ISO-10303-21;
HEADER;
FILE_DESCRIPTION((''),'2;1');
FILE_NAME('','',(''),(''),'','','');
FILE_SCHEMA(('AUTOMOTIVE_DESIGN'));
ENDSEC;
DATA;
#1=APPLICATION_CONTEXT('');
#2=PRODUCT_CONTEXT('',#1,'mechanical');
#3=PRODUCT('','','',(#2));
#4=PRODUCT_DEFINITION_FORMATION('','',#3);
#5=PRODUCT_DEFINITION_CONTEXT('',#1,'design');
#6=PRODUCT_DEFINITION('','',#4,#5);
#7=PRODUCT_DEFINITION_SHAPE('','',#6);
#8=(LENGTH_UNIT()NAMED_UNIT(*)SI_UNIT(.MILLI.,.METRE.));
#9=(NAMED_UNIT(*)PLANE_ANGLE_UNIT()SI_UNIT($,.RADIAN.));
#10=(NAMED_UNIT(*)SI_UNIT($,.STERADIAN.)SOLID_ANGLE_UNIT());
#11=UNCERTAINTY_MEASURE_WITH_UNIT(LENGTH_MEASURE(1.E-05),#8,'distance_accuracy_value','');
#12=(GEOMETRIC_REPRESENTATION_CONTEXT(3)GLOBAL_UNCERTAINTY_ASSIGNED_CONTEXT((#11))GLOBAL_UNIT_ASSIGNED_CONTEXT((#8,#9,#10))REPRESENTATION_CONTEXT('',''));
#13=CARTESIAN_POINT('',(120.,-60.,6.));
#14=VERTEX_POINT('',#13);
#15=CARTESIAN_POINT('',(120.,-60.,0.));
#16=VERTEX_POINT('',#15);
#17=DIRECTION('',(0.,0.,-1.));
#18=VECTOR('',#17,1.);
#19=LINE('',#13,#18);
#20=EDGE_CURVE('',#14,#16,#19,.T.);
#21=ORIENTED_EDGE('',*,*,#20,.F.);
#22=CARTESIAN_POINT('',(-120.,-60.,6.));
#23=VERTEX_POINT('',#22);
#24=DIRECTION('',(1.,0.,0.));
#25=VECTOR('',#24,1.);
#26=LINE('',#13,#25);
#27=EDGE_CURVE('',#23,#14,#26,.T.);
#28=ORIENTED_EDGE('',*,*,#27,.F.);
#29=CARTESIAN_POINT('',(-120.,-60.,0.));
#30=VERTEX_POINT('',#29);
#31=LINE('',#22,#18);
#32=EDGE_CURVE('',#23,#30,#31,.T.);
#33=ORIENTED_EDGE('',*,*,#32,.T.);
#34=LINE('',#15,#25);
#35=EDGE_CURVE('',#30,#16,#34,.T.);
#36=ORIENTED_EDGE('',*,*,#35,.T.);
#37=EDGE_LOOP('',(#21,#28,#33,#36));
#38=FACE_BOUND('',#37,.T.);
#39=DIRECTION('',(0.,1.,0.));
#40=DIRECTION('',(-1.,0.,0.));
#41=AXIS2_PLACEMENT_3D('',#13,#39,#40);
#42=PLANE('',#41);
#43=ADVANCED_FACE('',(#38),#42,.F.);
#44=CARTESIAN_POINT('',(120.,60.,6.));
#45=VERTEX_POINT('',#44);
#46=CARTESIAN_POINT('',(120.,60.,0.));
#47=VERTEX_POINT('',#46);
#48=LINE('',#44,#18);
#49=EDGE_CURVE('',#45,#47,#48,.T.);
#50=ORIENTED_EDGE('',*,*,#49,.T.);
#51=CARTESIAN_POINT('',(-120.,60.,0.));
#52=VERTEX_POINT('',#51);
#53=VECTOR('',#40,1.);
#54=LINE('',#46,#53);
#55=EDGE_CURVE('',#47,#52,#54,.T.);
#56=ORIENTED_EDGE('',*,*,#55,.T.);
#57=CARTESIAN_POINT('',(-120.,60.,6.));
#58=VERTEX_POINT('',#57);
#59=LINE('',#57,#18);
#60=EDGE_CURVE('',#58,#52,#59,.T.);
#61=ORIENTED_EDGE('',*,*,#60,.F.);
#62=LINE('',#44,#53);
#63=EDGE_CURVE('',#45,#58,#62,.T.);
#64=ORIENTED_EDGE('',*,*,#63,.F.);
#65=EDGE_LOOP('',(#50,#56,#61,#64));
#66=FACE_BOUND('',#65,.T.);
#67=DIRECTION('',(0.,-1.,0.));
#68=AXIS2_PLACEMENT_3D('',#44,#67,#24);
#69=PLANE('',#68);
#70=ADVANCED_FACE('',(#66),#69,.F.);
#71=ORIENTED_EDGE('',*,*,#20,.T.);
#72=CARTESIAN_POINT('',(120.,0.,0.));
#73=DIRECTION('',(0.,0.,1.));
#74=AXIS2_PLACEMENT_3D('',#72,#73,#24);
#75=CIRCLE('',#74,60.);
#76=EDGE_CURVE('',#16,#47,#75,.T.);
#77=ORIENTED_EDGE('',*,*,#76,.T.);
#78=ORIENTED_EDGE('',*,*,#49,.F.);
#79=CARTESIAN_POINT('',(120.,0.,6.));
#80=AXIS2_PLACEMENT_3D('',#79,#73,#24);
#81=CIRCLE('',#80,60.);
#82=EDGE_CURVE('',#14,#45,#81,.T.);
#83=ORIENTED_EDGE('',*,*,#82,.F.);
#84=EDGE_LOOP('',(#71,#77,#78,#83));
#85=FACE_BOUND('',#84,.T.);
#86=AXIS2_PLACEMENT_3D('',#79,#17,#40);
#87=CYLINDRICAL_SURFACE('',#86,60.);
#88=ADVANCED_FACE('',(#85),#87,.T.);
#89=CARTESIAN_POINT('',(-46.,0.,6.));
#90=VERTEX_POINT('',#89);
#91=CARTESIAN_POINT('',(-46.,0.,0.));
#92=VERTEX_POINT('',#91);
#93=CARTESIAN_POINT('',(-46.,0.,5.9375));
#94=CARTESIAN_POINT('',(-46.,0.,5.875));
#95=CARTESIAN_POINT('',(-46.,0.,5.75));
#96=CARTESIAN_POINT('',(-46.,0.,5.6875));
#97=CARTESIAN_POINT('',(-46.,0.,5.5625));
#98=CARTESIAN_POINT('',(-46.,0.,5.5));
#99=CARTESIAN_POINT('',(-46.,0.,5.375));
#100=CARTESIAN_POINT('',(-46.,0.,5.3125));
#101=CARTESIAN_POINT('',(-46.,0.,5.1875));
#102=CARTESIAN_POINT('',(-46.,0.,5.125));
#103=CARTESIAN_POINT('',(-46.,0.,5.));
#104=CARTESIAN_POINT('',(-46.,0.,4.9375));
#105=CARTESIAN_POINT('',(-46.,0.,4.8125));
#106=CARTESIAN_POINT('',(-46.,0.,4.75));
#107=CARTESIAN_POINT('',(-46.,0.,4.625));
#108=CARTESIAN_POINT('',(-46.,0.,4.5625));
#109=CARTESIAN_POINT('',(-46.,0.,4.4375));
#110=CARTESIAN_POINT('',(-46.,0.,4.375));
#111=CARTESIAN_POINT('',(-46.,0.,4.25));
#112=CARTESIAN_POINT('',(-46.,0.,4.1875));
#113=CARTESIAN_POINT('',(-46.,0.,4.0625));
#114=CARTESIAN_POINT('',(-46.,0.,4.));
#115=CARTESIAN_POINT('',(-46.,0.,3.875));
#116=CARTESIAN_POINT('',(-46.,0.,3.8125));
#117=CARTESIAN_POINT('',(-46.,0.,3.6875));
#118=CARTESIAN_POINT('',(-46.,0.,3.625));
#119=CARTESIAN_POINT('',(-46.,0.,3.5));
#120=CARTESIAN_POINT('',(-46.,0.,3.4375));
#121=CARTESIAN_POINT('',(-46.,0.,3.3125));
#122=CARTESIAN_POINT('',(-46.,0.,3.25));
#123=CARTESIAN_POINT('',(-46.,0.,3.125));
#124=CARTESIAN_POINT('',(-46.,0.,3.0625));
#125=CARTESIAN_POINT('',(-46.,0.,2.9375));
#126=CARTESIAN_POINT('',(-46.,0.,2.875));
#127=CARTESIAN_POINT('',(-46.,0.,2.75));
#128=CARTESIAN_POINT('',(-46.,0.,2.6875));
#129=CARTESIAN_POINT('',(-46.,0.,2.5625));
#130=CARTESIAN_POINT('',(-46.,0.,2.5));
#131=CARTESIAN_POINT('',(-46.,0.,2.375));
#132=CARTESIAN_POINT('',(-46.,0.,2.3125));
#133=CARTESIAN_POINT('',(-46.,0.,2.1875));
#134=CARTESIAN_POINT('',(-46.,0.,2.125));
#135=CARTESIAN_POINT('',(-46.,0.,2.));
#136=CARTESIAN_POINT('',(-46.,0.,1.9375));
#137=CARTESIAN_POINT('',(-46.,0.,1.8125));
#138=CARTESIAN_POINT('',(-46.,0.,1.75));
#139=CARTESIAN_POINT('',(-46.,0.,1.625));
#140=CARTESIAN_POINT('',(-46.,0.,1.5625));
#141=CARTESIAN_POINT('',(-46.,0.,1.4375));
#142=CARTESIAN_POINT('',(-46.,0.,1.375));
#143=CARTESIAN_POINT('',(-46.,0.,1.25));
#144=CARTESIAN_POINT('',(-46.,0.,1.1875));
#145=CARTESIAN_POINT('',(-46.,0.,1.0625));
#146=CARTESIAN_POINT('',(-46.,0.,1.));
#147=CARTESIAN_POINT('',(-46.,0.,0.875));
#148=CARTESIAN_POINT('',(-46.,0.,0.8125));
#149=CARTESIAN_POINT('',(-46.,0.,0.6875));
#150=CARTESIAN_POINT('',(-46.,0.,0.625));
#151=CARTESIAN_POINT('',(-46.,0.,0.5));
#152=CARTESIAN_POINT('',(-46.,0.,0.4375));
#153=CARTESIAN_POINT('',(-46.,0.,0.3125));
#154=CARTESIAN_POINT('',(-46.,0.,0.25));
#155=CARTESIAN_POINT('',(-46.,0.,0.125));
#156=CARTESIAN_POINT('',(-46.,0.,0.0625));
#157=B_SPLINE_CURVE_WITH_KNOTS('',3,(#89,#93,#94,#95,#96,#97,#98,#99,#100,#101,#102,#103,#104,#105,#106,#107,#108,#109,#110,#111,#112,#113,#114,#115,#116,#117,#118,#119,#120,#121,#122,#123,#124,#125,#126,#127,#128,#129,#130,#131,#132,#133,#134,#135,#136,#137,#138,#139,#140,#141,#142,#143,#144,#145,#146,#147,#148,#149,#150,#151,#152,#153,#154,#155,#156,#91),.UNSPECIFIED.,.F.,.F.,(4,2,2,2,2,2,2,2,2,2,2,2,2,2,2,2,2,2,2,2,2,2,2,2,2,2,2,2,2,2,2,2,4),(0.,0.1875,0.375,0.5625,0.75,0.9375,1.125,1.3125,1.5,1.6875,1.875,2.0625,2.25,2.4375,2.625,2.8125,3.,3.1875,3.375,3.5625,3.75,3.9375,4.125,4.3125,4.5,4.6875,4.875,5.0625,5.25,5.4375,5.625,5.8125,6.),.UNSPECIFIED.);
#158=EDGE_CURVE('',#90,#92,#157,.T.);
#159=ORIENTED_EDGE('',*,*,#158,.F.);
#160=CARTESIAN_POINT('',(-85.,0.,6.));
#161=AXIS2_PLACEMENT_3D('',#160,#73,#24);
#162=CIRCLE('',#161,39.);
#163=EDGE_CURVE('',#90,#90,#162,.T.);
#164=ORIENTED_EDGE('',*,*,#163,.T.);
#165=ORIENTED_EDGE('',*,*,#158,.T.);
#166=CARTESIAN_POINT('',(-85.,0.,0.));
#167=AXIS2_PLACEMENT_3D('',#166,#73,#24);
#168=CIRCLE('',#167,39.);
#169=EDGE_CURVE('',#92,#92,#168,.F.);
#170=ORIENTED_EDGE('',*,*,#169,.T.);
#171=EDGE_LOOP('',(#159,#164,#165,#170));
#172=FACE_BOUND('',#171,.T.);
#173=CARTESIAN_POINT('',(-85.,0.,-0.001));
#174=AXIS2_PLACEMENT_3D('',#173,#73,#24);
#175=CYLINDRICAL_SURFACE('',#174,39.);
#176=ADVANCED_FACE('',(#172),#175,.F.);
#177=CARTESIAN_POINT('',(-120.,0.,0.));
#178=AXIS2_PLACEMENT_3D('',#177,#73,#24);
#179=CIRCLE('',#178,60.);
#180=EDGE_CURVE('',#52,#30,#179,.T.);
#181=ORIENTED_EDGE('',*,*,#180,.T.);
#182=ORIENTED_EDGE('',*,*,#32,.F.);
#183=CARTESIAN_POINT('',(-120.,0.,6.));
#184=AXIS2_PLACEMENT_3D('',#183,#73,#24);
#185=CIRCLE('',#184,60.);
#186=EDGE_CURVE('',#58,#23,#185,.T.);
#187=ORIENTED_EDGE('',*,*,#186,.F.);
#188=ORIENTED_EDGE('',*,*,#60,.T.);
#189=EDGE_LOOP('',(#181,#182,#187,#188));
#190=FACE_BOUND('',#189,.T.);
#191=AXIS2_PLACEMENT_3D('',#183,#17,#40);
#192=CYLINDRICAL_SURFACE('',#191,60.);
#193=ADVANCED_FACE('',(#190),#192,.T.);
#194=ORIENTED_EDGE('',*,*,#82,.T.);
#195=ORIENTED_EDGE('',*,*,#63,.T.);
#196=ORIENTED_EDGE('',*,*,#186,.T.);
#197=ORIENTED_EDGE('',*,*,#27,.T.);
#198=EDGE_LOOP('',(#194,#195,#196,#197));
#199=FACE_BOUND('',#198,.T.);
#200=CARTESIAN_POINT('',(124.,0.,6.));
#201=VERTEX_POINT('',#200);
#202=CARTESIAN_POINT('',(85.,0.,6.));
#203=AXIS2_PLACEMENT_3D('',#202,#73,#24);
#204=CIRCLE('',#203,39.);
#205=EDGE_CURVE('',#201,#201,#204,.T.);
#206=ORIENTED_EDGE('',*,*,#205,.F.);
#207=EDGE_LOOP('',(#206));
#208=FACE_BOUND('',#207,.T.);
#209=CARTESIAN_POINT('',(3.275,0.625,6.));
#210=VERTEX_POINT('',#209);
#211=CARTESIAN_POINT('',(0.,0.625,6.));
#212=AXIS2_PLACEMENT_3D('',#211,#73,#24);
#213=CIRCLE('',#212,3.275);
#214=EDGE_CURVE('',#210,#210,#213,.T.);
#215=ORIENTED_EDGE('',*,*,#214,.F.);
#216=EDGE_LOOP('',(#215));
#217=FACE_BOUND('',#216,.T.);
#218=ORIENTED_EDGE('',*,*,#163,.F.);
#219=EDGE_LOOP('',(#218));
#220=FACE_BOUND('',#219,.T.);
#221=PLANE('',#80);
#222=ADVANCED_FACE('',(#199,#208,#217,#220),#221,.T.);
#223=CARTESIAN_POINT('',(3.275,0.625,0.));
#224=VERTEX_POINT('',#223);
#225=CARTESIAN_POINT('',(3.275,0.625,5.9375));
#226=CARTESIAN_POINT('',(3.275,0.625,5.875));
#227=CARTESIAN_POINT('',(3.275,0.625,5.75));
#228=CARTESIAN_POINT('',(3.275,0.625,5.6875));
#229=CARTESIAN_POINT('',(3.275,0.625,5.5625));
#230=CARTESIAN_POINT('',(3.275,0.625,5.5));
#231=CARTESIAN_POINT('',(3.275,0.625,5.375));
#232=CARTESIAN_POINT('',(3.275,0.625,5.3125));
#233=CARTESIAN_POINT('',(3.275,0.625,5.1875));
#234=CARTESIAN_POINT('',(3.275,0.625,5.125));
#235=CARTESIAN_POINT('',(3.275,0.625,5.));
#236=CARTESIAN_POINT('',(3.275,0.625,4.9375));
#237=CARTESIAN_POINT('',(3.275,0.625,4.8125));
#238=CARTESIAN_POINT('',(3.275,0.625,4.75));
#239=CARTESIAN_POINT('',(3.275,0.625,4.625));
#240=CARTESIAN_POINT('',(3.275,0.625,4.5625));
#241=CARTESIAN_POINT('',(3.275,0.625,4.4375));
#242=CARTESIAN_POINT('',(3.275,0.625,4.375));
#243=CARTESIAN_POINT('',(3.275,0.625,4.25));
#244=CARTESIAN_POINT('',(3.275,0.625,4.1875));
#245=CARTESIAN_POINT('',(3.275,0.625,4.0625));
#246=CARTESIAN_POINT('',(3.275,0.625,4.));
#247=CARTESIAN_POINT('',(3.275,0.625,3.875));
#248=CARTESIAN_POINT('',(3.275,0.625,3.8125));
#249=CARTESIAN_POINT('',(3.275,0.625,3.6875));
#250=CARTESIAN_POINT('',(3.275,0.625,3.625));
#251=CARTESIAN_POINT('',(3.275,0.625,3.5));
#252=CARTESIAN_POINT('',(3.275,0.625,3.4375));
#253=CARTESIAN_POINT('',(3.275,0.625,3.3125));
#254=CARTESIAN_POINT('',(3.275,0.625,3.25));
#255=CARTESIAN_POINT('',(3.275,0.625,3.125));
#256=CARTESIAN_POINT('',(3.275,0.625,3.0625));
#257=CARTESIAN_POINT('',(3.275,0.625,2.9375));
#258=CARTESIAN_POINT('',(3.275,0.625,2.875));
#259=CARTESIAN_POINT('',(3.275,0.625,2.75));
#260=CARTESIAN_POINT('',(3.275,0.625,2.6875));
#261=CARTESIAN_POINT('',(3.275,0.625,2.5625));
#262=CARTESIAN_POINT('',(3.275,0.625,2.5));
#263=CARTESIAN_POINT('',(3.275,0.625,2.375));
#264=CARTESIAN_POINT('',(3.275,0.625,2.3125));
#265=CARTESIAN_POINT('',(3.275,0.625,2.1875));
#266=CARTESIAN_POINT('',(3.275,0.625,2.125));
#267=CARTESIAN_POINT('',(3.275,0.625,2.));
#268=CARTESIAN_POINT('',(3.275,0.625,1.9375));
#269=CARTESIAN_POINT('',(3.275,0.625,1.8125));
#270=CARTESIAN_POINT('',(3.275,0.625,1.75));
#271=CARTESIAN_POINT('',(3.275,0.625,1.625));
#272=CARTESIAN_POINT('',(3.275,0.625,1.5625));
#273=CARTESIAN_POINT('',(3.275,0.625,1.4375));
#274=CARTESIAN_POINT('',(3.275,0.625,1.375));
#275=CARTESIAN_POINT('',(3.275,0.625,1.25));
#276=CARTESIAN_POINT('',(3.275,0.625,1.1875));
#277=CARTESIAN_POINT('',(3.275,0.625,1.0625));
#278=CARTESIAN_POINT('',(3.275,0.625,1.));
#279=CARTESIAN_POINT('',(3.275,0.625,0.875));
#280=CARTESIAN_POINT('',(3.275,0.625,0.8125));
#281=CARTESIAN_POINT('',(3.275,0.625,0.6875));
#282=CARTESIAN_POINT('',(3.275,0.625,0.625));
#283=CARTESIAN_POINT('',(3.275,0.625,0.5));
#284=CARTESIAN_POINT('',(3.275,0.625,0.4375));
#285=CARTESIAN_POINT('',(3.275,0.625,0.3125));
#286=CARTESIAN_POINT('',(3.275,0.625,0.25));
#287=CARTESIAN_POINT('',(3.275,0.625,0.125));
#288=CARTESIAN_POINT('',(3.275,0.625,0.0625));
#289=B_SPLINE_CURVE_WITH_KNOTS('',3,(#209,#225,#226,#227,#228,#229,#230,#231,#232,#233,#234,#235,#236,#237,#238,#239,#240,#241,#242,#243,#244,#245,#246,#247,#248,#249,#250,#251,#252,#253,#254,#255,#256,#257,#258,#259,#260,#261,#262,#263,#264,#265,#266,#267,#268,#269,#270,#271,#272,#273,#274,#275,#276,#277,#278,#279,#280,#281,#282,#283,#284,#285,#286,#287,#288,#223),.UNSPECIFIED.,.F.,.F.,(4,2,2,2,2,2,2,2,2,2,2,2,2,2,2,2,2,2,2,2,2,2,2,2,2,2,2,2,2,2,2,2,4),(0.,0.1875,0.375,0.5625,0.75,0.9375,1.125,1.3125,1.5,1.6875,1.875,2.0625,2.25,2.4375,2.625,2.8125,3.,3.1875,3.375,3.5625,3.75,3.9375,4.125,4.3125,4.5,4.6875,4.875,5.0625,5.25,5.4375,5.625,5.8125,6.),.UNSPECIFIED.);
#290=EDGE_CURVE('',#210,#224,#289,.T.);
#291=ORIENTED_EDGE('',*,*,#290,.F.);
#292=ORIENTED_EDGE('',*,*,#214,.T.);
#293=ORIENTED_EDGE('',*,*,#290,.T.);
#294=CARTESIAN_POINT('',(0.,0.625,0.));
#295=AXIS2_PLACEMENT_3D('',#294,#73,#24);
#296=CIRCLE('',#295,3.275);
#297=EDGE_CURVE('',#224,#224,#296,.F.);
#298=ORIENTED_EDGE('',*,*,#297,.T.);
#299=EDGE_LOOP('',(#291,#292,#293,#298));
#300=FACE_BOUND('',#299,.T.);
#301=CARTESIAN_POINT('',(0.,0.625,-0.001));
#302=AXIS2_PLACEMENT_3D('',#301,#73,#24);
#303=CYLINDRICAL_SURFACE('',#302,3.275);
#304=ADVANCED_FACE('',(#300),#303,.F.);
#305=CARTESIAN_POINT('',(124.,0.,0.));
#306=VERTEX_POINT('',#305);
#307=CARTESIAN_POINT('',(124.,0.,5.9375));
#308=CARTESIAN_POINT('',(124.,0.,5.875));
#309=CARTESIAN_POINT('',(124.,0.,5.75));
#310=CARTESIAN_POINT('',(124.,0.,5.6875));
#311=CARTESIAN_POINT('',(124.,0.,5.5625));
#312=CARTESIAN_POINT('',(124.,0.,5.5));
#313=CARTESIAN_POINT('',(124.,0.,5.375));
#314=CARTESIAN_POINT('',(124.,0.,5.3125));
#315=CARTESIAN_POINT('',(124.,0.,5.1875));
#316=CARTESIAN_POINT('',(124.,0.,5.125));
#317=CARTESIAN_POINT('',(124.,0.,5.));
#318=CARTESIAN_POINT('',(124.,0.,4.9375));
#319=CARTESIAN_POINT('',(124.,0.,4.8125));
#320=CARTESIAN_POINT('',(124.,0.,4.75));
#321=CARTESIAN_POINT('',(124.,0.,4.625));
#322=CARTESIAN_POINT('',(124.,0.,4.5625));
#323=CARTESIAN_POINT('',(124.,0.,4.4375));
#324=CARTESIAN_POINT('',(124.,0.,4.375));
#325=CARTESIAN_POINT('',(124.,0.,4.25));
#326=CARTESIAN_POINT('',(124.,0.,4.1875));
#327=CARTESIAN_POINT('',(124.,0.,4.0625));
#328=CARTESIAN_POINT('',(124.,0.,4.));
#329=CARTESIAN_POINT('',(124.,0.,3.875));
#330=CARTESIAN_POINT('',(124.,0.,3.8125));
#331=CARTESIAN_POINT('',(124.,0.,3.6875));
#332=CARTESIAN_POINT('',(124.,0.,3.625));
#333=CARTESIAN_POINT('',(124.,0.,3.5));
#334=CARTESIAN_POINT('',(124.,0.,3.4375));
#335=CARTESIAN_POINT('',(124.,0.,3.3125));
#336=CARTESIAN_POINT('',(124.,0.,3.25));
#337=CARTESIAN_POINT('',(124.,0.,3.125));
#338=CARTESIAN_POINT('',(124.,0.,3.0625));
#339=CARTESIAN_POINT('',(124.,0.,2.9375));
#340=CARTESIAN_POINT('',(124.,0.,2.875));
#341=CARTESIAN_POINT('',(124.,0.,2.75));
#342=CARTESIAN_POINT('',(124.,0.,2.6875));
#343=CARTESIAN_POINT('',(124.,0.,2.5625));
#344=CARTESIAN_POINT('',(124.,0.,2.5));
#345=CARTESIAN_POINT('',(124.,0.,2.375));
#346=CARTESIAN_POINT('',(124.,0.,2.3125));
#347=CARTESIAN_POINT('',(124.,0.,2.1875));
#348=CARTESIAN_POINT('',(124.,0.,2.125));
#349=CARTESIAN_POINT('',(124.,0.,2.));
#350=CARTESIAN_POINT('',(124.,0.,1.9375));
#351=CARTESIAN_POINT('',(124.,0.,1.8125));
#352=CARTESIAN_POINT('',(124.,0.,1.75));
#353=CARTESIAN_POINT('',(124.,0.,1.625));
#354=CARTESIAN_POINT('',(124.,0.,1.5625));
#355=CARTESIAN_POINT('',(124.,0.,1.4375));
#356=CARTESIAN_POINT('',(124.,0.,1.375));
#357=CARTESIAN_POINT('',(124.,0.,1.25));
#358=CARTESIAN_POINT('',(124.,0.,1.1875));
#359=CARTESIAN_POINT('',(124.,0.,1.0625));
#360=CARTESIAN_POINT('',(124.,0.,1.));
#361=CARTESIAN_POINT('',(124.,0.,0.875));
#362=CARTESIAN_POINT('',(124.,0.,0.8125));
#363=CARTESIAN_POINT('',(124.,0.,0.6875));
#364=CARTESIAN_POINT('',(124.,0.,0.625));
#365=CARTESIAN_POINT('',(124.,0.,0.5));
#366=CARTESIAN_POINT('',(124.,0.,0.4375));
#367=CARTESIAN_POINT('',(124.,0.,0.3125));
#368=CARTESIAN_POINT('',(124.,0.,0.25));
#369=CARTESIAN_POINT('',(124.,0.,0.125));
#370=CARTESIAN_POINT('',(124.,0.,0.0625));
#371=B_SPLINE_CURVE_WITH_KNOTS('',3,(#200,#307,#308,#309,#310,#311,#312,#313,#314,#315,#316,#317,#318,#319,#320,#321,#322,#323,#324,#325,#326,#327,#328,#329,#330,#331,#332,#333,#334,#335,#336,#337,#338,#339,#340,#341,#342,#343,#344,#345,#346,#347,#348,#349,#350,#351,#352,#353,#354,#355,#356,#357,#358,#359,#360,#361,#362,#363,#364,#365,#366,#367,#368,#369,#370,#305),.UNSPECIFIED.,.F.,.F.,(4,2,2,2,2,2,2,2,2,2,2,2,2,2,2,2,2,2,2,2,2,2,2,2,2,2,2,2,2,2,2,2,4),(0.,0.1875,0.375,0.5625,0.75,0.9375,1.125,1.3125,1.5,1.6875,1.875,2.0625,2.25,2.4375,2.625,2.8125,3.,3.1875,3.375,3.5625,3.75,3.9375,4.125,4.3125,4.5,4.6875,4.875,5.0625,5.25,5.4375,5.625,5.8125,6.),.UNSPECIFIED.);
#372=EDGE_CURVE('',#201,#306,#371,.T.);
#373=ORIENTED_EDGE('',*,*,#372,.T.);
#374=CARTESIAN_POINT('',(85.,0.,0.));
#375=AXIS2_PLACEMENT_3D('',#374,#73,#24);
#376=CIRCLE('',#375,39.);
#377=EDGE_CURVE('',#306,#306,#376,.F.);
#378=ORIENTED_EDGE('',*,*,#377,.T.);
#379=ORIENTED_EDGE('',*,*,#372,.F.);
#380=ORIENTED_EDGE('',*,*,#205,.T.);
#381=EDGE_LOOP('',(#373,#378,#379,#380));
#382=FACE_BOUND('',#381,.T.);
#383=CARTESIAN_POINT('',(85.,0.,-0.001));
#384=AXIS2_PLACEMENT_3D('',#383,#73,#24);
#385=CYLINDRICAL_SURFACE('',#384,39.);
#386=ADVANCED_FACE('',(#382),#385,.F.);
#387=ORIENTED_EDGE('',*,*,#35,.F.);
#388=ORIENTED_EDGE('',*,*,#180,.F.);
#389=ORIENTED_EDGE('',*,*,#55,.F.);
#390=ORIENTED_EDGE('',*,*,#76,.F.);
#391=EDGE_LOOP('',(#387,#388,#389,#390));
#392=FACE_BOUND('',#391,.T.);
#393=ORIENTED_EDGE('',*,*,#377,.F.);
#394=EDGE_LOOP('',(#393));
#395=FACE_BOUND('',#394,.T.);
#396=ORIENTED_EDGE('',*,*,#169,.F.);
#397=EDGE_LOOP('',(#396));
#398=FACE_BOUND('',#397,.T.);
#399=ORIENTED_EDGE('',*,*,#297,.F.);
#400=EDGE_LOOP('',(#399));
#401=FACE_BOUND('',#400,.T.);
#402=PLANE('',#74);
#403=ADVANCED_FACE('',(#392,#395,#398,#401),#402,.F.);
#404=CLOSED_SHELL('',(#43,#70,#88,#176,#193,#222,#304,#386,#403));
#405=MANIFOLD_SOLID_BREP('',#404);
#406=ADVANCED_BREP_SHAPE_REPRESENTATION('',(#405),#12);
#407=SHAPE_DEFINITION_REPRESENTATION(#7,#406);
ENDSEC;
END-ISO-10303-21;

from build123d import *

# Parameters (mm, degrees)
BOSS_EXTRU_1_DEPTH      = 6
ENL_V_MAT_EXTRU_1_REACH = 191.832
ESQUISSE3_R             = 3.275
ENL_V_MAT_EXTRU_2_REACH = 191.832
ESQUISSE4_R             = 39


with BuildPart() as part:
    # Esquisse2 → Boss.-Extru.1 (new body)
    with BuildSketch(Plane.XY):
        with BuildLine():
            Line((120, -60), (-120, -60))
            ThreePointArc((-120, -60), (-180, 0), (-120, 60))
            Line((-120, 60), (120, 60))
            ThreePointArc((120, 60), (180, 0), (120, -60))
        make_face()
    extrude(amount=BOSS_EXTRU_1_DEPTH)

    # Esquisse3 → Enlèv. mat.-Extru.1 (cut, up to next)
    with BuildSketch(Plane.XY.offset(6), mode=Mode.PRIVATE) as enl_v_mat_extru_1_sk1:
        with Locations((0, 0.625)):
            Circle(ESQUISSE3_R)
    enl_v_mat_extru_1_tool1 = extrude(enl_v_mat_extru_1_sk1.sketch, amount=-ENL_V_MAT_EXTRU_1_REACH, mode=Mode.PRIVATE) & part.part
    add(enl_v_mat_extru_1_tool1.solids().sort_by_distance((0, 0.625, 6))[0], mode=Mode.SUBTRACT)

    # Esquisse4 → Enlèv. mat.-Extru.2 (cut, up to next)
    with BuildSketch(Plane.XY.offset(6), mode=Mode.PRIVATE) as enl_v_mat_extru_2_sk1:
        with Locations((-85, 0)):
            Circle(ESQUISSE4_R)
    enl_v_mat_extru_2_tool1 = extrude(enl_v_mat_extru_2_sk1.sketch, amount=-ENL_V_MAT_EXTRU_2_REACH, mode=Mode.PRIVATE) & part.part
    # Esquisse4 → Enlèv. mat.-Extru.2 (cut, up to next)
    with BuildSketch(Plane.XY.offset(6), mode=Mode.PRIVATE) as enl_v_mat_extru_2_sk2:
        with Locations((85, 0)):
            Circle(ESQUISSE4_R)
    enl_v_mat_extru_2_tool2 = extrude(enl_v_mat_extru_2_sk2.sketch, amount=-ENL_V_MAT_EXTRU_2_REACH, mode=Mode.PRIVATE) & part.part
    add(enl_v_mat_extru_2_tool1.solids().sort_by_distance((-85, 0, 6))[0], mode=Mode.SUBTRACT)
    add(enl_v_mat_extru_2_tool2.solids().sort_by_distance((85, 0, 6))[0], mode=Mode.SUBTRACT)


solid = part.part
